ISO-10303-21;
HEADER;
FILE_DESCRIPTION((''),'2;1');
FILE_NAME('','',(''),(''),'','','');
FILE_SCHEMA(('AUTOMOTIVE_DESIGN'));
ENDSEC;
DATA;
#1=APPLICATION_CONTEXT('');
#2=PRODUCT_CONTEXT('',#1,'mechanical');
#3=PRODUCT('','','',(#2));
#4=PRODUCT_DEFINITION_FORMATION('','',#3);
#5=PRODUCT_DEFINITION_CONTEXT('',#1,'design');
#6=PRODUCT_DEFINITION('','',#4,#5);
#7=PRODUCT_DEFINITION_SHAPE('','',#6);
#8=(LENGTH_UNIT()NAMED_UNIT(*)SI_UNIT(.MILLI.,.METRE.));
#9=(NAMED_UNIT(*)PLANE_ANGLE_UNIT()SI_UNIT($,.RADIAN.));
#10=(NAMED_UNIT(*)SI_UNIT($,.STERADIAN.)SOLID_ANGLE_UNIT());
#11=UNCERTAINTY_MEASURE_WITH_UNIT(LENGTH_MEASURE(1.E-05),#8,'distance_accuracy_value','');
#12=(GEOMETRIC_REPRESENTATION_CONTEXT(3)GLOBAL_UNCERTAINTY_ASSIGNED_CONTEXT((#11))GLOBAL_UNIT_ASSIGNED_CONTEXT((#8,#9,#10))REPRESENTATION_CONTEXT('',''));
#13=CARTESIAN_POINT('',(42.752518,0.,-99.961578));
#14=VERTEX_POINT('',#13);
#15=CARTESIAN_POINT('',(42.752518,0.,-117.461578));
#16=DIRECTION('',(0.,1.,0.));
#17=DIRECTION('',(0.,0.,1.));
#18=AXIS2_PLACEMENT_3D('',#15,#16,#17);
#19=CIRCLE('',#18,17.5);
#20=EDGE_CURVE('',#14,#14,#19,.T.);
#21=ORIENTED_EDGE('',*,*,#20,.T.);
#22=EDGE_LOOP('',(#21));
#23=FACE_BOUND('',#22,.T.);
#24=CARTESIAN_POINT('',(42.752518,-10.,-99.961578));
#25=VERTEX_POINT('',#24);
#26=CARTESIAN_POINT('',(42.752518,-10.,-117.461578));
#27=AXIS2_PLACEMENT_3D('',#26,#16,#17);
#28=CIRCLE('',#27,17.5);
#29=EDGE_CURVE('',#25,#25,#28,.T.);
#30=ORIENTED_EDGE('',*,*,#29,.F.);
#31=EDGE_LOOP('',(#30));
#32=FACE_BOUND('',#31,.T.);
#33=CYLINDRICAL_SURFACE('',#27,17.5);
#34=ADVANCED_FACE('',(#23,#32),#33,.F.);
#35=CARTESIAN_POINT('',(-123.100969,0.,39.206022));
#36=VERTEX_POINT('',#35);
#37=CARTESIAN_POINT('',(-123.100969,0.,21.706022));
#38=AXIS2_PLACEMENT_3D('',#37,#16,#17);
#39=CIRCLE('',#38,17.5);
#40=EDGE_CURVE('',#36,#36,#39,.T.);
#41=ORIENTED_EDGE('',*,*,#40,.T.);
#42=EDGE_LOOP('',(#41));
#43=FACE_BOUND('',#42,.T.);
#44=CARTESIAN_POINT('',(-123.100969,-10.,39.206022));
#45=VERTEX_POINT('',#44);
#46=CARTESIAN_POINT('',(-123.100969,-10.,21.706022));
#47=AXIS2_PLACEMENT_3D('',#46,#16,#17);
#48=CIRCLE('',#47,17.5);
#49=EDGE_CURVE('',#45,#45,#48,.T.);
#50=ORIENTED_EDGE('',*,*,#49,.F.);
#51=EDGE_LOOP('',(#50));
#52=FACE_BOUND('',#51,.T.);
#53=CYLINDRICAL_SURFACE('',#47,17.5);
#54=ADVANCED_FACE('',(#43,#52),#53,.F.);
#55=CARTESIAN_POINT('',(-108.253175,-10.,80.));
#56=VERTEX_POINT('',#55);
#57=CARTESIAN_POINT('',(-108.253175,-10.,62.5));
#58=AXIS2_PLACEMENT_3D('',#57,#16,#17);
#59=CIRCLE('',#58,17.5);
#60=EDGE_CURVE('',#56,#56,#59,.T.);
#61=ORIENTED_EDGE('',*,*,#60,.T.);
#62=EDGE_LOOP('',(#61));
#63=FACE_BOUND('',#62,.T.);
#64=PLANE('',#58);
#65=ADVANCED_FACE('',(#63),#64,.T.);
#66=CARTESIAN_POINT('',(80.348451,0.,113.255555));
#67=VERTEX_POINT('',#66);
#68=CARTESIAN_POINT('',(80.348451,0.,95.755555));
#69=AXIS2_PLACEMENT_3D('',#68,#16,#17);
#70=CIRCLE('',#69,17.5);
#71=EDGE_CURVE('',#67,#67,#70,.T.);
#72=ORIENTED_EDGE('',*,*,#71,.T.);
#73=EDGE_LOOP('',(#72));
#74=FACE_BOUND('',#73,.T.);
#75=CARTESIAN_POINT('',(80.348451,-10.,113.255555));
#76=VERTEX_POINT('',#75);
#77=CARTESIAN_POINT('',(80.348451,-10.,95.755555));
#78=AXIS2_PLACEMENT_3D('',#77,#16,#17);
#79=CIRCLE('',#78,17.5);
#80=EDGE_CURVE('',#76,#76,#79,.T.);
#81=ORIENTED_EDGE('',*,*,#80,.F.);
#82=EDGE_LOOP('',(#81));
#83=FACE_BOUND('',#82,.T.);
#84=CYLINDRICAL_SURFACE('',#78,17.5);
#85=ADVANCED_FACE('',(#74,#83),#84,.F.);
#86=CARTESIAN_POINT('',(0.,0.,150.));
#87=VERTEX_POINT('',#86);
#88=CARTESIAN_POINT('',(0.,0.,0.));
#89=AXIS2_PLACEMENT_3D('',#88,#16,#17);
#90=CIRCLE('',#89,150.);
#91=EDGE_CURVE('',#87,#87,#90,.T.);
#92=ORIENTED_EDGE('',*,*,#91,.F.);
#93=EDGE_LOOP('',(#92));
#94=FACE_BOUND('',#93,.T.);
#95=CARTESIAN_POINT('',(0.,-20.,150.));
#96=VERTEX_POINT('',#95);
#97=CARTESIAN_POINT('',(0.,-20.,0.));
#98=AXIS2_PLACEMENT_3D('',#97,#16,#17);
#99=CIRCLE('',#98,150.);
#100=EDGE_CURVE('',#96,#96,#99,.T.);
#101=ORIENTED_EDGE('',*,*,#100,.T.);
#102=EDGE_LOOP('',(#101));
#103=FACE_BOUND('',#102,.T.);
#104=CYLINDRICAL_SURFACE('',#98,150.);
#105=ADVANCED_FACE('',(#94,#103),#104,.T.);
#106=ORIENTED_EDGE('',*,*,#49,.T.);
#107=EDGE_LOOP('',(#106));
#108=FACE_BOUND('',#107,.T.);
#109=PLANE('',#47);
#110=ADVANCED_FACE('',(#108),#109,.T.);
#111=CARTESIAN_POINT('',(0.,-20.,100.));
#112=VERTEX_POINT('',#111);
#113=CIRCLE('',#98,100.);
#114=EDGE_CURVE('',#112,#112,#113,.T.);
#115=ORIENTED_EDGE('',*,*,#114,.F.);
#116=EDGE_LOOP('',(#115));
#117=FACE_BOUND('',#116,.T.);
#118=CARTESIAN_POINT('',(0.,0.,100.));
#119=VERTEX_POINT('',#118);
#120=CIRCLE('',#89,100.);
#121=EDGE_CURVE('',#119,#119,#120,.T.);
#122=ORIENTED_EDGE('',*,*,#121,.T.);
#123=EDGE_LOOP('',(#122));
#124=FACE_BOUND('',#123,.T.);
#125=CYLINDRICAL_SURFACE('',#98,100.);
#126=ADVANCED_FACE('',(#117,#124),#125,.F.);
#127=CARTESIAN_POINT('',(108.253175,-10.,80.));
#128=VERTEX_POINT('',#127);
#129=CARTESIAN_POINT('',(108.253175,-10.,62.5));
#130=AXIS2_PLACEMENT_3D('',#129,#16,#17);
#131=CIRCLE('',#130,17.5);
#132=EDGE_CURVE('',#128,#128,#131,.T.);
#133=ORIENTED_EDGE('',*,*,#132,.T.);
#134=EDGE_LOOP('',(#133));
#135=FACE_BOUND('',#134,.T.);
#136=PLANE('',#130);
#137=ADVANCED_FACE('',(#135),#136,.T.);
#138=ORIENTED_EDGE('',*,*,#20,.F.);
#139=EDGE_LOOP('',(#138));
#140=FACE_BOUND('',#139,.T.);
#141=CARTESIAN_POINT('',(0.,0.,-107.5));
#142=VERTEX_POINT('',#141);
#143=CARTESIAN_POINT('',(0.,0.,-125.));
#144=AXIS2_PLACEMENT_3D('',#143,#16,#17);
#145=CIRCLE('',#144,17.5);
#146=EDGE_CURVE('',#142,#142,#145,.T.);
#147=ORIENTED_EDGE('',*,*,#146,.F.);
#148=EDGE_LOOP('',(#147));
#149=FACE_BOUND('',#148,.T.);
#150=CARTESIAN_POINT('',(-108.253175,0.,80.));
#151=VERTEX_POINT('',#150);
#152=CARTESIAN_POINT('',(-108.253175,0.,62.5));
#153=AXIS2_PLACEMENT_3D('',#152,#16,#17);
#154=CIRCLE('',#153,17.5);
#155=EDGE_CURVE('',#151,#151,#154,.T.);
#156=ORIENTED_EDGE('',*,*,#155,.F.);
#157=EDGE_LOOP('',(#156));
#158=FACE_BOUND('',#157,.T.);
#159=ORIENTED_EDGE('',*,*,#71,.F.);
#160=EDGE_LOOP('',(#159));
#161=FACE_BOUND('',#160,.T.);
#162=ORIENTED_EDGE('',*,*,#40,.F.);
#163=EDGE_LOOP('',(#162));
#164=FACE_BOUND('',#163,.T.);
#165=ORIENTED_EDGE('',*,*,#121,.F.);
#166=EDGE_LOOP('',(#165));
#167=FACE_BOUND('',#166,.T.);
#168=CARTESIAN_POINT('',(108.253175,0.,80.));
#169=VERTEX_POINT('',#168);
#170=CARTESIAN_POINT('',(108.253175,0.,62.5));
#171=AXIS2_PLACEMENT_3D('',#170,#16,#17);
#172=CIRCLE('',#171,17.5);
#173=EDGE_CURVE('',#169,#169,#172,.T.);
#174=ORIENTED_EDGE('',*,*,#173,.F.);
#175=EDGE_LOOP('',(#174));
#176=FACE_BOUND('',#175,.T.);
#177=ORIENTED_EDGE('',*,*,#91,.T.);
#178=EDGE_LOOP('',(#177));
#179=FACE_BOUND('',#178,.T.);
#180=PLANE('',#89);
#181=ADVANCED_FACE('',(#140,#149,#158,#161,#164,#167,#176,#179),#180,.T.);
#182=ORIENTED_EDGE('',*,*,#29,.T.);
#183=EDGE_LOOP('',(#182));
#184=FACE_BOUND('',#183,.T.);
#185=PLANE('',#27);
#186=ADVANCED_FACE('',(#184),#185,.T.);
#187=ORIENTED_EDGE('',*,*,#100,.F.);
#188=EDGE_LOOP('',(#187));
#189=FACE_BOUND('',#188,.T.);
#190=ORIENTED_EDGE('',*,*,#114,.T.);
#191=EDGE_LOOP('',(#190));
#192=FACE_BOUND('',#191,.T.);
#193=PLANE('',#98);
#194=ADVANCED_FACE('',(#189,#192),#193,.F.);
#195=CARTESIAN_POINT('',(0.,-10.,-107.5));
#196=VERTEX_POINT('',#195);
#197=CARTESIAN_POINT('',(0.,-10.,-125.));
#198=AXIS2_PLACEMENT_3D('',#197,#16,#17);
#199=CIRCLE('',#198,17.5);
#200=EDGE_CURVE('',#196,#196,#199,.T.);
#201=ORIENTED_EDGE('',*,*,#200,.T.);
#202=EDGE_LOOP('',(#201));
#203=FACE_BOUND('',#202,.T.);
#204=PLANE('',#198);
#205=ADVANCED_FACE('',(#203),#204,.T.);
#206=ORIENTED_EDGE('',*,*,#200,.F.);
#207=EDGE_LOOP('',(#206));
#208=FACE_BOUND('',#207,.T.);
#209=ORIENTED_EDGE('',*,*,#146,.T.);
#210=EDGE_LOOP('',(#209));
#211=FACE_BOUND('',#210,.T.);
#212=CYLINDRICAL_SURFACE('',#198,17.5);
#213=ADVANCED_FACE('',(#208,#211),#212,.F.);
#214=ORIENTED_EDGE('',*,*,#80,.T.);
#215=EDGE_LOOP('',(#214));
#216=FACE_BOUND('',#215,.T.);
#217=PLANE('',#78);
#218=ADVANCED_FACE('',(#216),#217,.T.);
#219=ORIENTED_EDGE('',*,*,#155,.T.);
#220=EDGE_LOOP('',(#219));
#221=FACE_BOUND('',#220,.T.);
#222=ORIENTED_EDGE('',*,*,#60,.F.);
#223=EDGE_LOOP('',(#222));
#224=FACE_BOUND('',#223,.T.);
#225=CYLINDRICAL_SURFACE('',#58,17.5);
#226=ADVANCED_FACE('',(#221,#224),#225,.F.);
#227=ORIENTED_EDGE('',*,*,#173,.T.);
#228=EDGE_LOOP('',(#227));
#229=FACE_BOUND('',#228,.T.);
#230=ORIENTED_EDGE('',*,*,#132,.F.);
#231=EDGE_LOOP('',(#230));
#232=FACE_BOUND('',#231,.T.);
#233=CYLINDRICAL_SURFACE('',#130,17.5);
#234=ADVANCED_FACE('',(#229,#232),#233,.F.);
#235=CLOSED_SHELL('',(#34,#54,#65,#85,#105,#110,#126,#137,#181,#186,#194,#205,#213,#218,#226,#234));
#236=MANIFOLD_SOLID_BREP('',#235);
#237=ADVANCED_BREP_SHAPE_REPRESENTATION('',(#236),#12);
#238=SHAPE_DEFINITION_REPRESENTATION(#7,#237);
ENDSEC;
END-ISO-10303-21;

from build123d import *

# Parameters (mm, degrees)
SKETCH1_R          = 150
SKETCH1_R_2        = 100
EXTRUDE1_DEPTH     = 20
SKETCH2_R          = 17.5
CUT_EXTRUDE1_DEPTH = 10


with BuildPart() as part:
    # Sketch1 → Extrude1 (new body)
    with BuildSketch(Plane(origin=(0, 0, 0), x_dir=(1, 0, 0), z_dir=(0, 1, 0))):
        with Locations(Location((0, 0, 0), (0, 0, 270))):
            Circle(SKETCH1_R)
        with Locations(Location((0, 0, 0), (0, 0, 270))):
            Circle(SKETCH1_R_2, mode=Mode.SUBTRACT)
    extrude(amount=-EXTRUDE1_DEPTH)

    # Sketch2 → Cut-Extrude1 (cut)
    with BuildSketch(Plane(origin=(0, 0, 0), x_dir=(1, 0, 0), z_dir=(0, 1, 0))):
        with Locations(Location((0, 125, 0), (0, 0, 270))):
            Circle(SKETCH2_R)
        with Locations(Location((42.752517916, 117.461577598, 0), (0, 0, 270))):
            Circle(SKETCH2_R)
        with Locations(Location((108.253175473, -62.5, 0), (0, 0, 270))):
            Circle(SKETCH2_R)
        with Locations(Location((80.348451211, -95.75555539, 0), (0, 0, 270))):
            Circle(SKETCH2_R)
        with Locations(Location((-108.253175473, -62.5, 0), (0, 0, 270))):
            Circle(SKETCH2_R)
        with Locations(Location((-123.100969127, -21.706022208, 0), (0, 0, 270))):
            Circle(SKETCH2_R)
    extrude(amount=-CUT_EXTRUDE1_DEPTH, mode=Mode.SUBTRACT)


solid = part.part
